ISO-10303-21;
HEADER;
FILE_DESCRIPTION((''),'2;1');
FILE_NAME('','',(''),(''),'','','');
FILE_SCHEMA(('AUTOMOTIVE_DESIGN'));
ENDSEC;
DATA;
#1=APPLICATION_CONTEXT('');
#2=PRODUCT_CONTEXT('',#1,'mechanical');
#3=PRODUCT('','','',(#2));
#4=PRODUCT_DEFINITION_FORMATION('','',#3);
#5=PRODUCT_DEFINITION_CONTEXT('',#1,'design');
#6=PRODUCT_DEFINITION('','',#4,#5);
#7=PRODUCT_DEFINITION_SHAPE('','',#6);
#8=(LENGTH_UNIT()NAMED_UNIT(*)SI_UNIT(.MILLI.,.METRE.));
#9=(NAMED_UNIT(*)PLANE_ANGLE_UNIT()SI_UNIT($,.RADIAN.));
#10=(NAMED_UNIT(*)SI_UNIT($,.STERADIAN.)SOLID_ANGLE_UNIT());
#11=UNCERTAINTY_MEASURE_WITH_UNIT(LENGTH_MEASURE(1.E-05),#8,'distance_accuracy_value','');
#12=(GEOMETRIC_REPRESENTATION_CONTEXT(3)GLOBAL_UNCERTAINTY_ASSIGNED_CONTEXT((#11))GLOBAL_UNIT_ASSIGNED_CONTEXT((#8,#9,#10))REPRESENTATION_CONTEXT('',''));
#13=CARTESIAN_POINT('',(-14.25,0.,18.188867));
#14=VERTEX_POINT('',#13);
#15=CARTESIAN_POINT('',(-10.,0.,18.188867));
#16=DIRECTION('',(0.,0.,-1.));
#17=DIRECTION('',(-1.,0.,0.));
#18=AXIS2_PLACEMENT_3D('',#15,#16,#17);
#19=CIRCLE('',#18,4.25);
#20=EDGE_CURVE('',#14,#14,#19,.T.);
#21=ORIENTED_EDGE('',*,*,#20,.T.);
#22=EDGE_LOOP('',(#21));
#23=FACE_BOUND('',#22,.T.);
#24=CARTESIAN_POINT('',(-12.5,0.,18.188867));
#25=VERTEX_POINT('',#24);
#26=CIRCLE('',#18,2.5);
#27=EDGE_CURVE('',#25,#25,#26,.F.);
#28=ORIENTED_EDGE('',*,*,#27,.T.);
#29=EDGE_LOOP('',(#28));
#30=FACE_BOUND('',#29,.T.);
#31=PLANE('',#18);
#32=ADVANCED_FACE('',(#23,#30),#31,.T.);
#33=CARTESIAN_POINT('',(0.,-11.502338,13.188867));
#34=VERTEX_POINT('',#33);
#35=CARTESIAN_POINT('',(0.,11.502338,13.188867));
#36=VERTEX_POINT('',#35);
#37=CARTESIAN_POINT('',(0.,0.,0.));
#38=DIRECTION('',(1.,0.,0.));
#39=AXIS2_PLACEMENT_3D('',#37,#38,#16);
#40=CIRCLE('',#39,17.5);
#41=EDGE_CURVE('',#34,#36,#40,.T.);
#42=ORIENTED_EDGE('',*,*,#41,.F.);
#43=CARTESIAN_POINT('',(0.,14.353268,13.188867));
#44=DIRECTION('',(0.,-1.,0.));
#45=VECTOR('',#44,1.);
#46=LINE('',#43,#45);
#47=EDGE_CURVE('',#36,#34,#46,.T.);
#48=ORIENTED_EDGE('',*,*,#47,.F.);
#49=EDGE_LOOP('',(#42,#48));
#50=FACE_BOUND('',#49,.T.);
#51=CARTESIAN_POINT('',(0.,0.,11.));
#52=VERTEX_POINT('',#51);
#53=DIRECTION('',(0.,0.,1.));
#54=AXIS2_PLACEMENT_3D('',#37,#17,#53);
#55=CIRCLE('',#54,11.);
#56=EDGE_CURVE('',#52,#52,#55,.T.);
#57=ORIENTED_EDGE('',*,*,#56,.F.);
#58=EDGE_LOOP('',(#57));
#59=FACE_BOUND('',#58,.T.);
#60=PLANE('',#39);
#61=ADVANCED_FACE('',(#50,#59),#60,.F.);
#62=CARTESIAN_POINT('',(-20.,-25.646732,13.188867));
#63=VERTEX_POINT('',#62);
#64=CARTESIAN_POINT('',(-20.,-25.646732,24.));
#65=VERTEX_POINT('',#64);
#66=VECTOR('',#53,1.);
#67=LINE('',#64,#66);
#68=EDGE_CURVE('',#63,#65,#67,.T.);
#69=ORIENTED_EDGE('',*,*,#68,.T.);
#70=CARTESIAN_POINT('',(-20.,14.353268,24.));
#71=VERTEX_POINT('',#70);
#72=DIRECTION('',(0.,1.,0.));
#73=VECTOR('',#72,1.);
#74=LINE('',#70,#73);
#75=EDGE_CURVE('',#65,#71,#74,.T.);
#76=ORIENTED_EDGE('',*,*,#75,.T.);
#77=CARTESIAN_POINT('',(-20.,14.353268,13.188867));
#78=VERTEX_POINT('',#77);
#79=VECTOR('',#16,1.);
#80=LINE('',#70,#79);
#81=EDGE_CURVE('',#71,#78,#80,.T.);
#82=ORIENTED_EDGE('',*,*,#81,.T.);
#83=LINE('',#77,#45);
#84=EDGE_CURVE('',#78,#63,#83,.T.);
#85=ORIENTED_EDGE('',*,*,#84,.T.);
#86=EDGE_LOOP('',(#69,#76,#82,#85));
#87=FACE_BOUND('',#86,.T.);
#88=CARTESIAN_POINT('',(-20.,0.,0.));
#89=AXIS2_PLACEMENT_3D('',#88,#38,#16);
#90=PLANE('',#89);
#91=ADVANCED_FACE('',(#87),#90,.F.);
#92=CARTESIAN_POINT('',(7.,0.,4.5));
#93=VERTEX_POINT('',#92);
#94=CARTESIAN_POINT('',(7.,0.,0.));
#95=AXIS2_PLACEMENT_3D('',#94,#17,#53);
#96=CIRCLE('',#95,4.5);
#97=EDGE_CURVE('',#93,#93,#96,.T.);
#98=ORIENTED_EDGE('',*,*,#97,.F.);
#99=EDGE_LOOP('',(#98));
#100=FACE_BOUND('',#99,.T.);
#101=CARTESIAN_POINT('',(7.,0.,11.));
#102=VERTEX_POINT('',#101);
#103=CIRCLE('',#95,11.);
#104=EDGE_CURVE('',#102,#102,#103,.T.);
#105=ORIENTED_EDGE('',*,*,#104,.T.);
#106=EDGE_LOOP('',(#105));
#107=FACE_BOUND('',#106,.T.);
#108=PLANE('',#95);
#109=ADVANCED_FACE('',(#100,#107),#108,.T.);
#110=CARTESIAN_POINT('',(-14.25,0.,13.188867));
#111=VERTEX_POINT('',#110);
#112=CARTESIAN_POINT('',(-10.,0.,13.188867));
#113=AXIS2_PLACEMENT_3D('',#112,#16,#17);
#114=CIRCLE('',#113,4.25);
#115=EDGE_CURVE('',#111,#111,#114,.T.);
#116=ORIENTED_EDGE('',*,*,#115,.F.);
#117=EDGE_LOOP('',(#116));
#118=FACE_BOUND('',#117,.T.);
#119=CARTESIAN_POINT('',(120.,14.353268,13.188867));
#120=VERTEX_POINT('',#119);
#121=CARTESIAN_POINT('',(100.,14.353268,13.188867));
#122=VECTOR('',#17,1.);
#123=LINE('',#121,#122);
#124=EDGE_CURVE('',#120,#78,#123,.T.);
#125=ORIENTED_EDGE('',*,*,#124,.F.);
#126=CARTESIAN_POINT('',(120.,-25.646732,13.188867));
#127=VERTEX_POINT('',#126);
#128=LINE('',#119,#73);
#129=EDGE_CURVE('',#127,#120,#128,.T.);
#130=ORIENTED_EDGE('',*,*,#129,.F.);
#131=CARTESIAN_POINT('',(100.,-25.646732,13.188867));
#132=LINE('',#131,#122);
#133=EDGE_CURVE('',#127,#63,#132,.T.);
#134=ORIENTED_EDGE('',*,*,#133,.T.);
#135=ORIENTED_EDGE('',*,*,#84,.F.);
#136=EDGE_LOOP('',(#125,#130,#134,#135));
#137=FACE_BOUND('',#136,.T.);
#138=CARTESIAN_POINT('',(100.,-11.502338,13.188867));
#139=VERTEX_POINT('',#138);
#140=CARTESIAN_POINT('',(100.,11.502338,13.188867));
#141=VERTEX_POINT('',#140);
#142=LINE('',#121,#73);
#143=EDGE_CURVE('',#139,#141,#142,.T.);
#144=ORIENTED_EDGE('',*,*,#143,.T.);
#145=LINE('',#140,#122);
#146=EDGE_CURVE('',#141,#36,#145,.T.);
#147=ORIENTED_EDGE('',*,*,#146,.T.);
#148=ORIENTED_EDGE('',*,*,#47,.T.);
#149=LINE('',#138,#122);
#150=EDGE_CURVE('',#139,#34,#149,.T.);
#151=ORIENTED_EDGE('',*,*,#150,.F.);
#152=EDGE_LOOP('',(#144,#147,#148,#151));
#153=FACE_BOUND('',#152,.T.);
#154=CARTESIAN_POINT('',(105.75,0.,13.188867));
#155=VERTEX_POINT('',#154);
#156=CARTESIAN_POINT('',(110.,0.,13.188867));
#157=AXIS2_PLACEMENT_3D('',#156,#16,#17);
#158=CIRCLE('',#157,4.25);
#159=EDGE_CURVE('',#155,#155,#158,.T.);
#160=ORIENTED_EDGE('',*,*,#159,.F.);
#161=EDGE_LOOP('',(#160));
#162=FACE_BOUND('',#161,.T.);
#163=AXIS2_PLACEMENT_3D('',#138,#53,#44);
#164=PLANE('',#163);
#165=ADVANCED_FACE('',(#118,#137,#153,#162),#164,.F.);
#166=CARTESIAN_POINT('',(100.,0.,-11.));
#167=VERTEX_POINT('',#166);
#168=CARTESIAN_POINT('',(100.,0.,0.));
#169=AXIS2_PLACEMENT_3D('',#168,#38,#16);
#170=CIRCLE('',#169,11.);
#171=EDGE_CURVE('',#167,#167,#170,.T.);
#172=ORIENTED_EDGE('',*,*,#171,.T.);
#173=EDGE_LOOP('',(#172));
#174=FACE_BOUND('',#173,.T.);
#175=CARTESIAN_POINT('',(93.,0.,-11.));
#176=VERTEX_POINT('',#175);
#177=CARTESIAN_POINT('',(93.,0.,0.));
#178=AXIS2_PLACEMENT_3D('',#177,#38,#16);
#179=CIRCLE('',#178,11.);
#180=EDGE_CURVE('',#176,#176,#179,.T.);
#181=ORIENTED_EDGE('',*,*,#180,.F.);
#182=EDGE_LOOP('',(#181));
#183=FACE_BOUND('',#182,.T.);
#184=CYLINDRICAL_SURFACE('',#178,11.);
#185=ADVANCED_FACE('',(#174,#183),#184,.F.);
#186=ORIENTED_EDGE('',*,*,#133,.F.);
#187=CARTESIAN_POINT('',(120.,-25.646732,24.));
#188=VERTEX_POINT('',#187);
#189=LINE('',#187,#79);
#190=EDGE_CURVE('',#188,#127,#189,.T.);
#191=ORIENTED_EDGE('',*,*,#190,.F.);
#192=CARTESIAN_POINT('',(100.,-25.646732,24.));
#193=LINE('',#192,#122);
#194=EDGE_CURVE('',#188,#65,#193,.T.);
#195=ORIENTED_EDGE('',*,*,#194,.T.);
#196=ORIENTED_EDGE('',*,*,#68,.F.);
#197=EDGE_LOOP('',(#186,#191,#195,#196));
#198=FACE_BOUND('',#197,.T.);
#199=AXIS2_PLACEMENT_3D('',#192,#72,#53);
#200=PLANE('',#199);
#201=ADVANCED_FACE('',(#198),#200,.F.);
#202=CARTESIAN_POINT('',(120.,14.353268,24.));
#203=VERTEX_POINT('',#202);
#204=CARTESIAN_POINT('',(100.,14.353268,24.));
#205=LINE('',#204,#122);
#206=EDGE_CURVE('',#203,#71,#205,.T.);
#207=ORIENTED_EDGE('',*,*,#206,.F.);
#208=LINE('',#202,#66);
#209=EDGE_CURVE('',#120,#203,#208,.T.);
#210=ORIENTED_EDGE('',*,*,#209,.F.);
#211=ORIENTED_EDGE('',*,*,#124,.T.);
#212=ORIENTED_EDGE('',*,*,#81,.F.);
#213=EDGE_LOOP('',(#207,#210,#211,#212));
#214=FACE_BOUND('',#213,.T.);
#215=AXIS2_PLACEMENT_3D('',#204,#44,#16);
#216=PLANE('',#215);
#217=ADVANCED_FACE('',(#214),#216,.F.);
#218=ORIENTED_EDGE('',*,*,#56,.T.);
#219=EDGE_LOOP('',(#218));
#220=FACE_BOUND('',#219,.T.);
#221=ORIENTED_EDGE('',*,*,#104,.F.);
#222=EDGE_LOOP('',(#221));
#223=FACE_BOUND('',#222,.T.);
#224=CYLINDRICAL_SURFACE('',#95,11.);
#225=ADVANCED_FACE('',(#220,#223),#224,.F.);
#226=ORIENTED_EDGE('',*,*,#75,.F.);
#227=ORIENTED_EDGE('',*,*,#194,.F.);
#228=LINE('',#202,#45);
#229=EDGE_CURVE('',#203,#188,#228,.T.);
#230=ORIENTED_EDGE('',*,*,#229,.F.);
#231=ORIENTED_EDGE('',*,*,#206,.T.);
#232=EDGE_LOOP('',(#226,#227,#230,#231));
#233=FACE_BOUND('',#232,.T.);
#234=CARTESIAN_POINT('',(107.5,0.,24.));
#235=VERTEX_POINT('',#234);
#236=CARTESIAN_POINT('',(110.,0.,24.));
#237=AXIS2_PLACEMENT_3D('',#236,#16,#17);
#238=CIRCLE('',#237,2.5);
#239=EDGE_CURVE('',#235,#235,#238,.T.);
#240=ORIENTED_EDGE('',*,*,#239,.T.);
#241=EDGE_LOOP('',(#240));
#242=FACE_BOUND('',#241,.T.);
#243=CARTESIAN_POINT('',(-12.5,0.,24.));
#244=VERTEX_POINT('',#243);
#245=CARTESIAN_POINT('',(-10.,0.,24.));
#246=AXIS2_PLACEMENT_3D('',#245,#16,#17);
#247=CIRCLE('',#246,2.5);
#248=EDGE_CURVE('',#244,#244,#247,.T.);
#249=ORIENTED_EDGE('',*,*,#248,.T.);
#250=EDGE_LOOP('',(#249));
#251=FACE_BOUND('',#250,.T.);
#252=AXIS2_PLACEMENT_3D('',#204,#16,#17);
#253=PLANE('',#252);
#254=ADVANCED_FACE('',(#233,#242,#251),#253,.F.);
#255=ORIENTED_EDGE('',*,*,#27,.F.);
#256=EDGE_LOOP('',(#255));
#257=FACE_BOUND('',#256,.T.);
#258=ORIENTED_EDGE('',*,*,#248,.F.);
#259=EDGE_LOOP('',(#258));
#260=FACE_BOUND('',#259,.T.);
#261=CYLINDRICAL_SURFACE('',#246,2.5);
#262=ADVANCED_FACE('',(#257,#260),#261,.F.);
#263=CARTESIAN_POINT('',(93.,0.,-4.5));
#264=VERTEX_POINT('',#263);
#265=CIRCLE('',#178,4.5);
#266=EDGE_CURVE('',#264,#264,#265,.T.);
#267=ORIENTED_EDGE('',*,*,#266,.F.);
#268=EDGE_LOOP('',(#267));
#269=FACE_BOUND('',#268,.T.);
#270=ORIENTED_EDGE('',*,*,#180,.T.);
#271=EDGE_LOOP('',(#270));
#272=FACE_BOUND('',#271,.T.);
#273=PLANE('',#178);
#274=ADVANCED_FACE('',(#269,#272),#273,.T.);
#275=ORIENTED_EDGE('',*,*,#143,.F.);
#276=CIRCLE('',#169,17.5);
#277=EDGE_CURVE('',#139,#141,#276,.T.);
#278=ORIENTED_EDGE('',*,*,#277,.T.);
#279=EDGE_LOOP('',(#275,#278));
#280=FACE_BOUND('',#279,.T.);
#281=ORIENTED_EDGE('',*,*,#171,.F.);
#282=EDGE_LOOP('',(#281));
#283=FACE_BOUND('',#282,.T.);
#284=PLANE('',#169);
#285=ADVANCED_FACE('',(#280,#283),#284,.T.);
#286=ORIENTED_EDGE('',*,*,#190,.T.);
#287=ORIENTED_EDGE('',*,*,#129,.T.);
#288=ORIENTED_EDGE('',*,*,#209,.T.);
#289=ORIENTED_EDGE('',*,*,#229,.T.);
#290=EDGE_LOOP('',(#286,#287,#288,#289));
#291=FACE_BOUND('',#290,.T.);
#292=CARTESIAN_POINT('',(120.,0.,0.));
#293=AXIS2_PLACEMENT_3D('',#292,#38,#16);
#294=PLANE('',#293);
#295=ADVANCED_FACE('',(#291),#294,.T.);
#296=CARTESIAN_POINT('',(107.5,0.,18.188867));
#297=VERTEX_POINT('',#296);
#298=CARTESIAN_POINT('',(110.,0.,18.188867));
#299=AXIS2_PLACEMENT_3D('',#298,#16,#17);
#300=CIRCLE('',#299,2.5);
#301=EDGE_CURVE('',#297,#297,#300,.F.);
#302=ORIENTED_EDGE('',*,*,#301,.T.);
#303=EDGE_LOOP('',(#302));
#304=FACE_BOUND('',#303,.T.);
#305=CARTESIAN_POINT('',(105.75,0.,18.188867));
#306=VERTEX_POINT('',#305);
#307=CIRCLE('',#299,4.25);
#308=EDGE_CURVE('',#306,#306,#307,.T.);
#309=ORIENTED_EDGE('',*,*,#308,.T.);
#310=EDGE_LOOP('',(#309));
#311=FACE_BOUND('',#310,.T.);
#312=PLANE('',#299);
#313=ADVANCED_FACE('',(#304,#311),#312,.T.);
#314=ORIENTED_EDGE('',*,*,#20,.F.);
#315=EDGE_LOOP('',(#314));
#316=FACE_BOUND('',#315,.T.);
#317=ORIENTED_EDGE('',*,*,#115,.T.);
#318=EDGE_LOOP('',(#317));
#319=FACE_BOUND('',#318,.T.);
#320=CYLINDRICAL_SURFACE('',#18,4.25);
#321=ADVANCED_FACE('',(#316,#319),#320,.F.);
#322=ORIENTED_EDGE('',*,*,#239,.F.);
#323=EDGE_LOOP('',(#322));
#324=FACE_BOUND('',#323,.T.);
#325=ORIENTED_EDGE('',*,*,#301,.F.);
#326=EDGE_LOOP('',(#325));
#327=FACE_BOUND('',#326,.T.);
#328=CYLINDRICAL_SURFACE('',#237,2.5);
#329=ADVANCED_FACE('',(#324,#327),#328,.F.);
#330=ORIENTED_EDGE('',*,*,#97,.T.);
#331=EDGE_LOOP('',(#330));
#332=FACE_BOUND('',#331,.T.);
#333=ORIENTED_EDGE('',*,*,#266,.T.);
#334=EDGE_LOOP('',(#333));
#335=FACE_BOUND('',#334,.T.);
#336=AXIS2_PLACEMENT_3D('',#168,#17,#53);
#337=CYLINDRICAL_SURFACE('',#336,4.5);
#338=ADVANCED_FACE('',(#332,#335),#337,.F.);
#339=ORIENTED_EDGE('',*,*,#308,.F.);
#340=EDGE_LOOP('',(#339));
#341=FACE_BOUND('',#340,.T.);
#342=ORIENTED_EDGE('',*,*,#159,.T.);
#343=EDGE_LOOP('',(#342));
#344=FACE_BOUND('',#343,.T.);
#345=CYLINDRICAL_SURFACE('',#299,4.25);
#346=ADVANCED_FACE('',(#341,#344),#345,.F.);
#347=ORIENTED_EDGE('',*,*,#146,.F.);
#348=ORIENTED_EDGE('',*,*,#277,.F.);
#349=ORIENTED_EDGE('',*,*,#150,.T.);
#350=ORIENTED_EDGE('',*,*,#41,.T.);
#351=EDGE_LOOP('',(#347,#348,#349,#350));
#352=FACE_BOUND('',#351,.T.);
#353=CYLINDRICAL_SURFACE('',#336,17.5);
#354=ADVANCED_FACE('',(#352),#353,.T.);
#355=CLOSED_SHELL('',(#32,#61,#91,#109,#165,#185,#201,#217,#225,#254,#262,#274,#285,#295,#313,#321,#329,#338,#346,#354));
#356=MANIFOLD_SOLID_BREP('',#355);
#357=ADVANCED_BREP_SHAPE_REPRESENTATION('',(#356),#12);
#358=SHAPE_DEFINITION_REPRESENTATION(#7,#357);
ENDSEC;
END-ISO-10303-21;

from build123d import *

# Parameters (mm, degrees)
SKETCH_1_R          = 4.5
EXTRUDE_1_DEPTH     = 100
SKETCH_2_W          = 10.811132722
SKETCH_2_H          = 40
EXTRUDE_2_DEPTH     = 20
SKETCH_3_W          = 10.811132722
SKETCH_3_H          = 40
EXTRUDE_3_DEPTH     = 20
SKETCH_4_R          = 2.5
CUT_EXTRUDE_1_DEPTH = 11.811132722
SKETCH_5_R          = 4.25
CUT_EXTRUDE_2_DEPTH = 5
SKETCH_6_R          = 11
CUT_EXTRUDE_3_DEPTH = 7
SKETCH_7_R          = 11
CUT_EXTRUDE_4_DEPTH = 7


with BuildPart() as part:
    # Эскиз1 → Бобышка-Вытянуть1 (new body)
    with BuildSketch(Plane(origin=(0, 0, 0), x_dir=(0, 0, -1), z_dir=(1, 0, 0))):
        with BuildLine():
            Line((-24, 14.353267579), (-13.188867278, 14.353267579))
            Line((-13.188867278, 14.353267579), (-13.188867278, 11.502338019))
            ThreePointArc((-13.188867278, 11.502338019), (17.5, 0), (-13.188867278, -11.502338019))
            Line((-13.188867278, -11.502338019), (-13.188867278, -25.646732421))
            Line((-13.188867278, -25.646732421), (-24, -25.646732421))
            Line((-24, -25.646732421), (-24, 14.353267579))
        make_face()
        Circle(SKETCH_1_R, mode=Mode.SUBTRACT)
    extrude(amount=EXTRUDE_1_DEPTH)

    # Эскиз2 → Бобышка-Вытянуть2 (add)
    with BuildSketch(Plane.ZY):
        with Locations((18.594433639, -5.646732421)):
            Rectangle(SKETCH_2_W, SKETCH_2_H)
    extrude(amount=EXTRUDE_2_DEPTH)

    # Эскиз3 → Бобышка-Вытянуть3 (add)
    with BuildSketch(Plane(origin=(100, 0, 0), x_dir=(0, 0, -1), z_dir=(1, 0, 0))):
        with Locations((-18.594433639, -5.646732421)):
            Rectangle(SKETCH_3_W, SKETCH_3_H)
    extrude(amount=EXTRUDE_3_DEPTH)

    # Эскиз4 → Вырез-Вытянуть1 (cut, through all)
    with BuildSketch(Plane(origin=(0, 0, 13.188867278), x_dir=(-1, 0, 0), z_dir=(0, 0, -1))):
        with Locations((-110, 0)):
            Circle(SKETCH_4_R)
        with Locations((10, 0)):
            Circle(SKETCH_4_R)
    extrude(amount=-CUT_EXTRUDE_1_DEPTH, mode=Mode.SUBTRACT)

    # Эскиз5 → Вырез-Вытянуть2 (cut)
    with BuildSketch(Plane(origin=(0, 0, 13.188867278), x_dir=(-1, 0, 0), z_dir=(0, 0, -1))):
        with Locations((-110, 0)):
            Circle(SKETCH_5_R)
        with Locations((10, 0)):
            Circle(SKETCH_5_R)
    extrude(amount=-CUT_EXTRUDE_2_DEPTH, mode=Mode.SUBTRACT)

    # Эскиз6 → Вырез-Вытянуть3 (cut)
    with BuildSketch(Plane(origin=(100, 0, 0), x_dir=(0, 0, -1), z_dir=(1, 0, 0))):
        Circle(SKETCH_6_R)
    extrude(amount=-CUT_EXTRUDE_3_DEPTH, mode=Mode.SUBTRACT)

    # Эскиз7 → Вырез-Вытянуть4 (cut)
    with BuildSketch(Plane.ZY):
        Circle(SKETCH_7_R)
    extrude(amount=-CUT_EXTRUDE_4_DEPTH, mode=Mode.SUBTRACT)


solid = part.part
